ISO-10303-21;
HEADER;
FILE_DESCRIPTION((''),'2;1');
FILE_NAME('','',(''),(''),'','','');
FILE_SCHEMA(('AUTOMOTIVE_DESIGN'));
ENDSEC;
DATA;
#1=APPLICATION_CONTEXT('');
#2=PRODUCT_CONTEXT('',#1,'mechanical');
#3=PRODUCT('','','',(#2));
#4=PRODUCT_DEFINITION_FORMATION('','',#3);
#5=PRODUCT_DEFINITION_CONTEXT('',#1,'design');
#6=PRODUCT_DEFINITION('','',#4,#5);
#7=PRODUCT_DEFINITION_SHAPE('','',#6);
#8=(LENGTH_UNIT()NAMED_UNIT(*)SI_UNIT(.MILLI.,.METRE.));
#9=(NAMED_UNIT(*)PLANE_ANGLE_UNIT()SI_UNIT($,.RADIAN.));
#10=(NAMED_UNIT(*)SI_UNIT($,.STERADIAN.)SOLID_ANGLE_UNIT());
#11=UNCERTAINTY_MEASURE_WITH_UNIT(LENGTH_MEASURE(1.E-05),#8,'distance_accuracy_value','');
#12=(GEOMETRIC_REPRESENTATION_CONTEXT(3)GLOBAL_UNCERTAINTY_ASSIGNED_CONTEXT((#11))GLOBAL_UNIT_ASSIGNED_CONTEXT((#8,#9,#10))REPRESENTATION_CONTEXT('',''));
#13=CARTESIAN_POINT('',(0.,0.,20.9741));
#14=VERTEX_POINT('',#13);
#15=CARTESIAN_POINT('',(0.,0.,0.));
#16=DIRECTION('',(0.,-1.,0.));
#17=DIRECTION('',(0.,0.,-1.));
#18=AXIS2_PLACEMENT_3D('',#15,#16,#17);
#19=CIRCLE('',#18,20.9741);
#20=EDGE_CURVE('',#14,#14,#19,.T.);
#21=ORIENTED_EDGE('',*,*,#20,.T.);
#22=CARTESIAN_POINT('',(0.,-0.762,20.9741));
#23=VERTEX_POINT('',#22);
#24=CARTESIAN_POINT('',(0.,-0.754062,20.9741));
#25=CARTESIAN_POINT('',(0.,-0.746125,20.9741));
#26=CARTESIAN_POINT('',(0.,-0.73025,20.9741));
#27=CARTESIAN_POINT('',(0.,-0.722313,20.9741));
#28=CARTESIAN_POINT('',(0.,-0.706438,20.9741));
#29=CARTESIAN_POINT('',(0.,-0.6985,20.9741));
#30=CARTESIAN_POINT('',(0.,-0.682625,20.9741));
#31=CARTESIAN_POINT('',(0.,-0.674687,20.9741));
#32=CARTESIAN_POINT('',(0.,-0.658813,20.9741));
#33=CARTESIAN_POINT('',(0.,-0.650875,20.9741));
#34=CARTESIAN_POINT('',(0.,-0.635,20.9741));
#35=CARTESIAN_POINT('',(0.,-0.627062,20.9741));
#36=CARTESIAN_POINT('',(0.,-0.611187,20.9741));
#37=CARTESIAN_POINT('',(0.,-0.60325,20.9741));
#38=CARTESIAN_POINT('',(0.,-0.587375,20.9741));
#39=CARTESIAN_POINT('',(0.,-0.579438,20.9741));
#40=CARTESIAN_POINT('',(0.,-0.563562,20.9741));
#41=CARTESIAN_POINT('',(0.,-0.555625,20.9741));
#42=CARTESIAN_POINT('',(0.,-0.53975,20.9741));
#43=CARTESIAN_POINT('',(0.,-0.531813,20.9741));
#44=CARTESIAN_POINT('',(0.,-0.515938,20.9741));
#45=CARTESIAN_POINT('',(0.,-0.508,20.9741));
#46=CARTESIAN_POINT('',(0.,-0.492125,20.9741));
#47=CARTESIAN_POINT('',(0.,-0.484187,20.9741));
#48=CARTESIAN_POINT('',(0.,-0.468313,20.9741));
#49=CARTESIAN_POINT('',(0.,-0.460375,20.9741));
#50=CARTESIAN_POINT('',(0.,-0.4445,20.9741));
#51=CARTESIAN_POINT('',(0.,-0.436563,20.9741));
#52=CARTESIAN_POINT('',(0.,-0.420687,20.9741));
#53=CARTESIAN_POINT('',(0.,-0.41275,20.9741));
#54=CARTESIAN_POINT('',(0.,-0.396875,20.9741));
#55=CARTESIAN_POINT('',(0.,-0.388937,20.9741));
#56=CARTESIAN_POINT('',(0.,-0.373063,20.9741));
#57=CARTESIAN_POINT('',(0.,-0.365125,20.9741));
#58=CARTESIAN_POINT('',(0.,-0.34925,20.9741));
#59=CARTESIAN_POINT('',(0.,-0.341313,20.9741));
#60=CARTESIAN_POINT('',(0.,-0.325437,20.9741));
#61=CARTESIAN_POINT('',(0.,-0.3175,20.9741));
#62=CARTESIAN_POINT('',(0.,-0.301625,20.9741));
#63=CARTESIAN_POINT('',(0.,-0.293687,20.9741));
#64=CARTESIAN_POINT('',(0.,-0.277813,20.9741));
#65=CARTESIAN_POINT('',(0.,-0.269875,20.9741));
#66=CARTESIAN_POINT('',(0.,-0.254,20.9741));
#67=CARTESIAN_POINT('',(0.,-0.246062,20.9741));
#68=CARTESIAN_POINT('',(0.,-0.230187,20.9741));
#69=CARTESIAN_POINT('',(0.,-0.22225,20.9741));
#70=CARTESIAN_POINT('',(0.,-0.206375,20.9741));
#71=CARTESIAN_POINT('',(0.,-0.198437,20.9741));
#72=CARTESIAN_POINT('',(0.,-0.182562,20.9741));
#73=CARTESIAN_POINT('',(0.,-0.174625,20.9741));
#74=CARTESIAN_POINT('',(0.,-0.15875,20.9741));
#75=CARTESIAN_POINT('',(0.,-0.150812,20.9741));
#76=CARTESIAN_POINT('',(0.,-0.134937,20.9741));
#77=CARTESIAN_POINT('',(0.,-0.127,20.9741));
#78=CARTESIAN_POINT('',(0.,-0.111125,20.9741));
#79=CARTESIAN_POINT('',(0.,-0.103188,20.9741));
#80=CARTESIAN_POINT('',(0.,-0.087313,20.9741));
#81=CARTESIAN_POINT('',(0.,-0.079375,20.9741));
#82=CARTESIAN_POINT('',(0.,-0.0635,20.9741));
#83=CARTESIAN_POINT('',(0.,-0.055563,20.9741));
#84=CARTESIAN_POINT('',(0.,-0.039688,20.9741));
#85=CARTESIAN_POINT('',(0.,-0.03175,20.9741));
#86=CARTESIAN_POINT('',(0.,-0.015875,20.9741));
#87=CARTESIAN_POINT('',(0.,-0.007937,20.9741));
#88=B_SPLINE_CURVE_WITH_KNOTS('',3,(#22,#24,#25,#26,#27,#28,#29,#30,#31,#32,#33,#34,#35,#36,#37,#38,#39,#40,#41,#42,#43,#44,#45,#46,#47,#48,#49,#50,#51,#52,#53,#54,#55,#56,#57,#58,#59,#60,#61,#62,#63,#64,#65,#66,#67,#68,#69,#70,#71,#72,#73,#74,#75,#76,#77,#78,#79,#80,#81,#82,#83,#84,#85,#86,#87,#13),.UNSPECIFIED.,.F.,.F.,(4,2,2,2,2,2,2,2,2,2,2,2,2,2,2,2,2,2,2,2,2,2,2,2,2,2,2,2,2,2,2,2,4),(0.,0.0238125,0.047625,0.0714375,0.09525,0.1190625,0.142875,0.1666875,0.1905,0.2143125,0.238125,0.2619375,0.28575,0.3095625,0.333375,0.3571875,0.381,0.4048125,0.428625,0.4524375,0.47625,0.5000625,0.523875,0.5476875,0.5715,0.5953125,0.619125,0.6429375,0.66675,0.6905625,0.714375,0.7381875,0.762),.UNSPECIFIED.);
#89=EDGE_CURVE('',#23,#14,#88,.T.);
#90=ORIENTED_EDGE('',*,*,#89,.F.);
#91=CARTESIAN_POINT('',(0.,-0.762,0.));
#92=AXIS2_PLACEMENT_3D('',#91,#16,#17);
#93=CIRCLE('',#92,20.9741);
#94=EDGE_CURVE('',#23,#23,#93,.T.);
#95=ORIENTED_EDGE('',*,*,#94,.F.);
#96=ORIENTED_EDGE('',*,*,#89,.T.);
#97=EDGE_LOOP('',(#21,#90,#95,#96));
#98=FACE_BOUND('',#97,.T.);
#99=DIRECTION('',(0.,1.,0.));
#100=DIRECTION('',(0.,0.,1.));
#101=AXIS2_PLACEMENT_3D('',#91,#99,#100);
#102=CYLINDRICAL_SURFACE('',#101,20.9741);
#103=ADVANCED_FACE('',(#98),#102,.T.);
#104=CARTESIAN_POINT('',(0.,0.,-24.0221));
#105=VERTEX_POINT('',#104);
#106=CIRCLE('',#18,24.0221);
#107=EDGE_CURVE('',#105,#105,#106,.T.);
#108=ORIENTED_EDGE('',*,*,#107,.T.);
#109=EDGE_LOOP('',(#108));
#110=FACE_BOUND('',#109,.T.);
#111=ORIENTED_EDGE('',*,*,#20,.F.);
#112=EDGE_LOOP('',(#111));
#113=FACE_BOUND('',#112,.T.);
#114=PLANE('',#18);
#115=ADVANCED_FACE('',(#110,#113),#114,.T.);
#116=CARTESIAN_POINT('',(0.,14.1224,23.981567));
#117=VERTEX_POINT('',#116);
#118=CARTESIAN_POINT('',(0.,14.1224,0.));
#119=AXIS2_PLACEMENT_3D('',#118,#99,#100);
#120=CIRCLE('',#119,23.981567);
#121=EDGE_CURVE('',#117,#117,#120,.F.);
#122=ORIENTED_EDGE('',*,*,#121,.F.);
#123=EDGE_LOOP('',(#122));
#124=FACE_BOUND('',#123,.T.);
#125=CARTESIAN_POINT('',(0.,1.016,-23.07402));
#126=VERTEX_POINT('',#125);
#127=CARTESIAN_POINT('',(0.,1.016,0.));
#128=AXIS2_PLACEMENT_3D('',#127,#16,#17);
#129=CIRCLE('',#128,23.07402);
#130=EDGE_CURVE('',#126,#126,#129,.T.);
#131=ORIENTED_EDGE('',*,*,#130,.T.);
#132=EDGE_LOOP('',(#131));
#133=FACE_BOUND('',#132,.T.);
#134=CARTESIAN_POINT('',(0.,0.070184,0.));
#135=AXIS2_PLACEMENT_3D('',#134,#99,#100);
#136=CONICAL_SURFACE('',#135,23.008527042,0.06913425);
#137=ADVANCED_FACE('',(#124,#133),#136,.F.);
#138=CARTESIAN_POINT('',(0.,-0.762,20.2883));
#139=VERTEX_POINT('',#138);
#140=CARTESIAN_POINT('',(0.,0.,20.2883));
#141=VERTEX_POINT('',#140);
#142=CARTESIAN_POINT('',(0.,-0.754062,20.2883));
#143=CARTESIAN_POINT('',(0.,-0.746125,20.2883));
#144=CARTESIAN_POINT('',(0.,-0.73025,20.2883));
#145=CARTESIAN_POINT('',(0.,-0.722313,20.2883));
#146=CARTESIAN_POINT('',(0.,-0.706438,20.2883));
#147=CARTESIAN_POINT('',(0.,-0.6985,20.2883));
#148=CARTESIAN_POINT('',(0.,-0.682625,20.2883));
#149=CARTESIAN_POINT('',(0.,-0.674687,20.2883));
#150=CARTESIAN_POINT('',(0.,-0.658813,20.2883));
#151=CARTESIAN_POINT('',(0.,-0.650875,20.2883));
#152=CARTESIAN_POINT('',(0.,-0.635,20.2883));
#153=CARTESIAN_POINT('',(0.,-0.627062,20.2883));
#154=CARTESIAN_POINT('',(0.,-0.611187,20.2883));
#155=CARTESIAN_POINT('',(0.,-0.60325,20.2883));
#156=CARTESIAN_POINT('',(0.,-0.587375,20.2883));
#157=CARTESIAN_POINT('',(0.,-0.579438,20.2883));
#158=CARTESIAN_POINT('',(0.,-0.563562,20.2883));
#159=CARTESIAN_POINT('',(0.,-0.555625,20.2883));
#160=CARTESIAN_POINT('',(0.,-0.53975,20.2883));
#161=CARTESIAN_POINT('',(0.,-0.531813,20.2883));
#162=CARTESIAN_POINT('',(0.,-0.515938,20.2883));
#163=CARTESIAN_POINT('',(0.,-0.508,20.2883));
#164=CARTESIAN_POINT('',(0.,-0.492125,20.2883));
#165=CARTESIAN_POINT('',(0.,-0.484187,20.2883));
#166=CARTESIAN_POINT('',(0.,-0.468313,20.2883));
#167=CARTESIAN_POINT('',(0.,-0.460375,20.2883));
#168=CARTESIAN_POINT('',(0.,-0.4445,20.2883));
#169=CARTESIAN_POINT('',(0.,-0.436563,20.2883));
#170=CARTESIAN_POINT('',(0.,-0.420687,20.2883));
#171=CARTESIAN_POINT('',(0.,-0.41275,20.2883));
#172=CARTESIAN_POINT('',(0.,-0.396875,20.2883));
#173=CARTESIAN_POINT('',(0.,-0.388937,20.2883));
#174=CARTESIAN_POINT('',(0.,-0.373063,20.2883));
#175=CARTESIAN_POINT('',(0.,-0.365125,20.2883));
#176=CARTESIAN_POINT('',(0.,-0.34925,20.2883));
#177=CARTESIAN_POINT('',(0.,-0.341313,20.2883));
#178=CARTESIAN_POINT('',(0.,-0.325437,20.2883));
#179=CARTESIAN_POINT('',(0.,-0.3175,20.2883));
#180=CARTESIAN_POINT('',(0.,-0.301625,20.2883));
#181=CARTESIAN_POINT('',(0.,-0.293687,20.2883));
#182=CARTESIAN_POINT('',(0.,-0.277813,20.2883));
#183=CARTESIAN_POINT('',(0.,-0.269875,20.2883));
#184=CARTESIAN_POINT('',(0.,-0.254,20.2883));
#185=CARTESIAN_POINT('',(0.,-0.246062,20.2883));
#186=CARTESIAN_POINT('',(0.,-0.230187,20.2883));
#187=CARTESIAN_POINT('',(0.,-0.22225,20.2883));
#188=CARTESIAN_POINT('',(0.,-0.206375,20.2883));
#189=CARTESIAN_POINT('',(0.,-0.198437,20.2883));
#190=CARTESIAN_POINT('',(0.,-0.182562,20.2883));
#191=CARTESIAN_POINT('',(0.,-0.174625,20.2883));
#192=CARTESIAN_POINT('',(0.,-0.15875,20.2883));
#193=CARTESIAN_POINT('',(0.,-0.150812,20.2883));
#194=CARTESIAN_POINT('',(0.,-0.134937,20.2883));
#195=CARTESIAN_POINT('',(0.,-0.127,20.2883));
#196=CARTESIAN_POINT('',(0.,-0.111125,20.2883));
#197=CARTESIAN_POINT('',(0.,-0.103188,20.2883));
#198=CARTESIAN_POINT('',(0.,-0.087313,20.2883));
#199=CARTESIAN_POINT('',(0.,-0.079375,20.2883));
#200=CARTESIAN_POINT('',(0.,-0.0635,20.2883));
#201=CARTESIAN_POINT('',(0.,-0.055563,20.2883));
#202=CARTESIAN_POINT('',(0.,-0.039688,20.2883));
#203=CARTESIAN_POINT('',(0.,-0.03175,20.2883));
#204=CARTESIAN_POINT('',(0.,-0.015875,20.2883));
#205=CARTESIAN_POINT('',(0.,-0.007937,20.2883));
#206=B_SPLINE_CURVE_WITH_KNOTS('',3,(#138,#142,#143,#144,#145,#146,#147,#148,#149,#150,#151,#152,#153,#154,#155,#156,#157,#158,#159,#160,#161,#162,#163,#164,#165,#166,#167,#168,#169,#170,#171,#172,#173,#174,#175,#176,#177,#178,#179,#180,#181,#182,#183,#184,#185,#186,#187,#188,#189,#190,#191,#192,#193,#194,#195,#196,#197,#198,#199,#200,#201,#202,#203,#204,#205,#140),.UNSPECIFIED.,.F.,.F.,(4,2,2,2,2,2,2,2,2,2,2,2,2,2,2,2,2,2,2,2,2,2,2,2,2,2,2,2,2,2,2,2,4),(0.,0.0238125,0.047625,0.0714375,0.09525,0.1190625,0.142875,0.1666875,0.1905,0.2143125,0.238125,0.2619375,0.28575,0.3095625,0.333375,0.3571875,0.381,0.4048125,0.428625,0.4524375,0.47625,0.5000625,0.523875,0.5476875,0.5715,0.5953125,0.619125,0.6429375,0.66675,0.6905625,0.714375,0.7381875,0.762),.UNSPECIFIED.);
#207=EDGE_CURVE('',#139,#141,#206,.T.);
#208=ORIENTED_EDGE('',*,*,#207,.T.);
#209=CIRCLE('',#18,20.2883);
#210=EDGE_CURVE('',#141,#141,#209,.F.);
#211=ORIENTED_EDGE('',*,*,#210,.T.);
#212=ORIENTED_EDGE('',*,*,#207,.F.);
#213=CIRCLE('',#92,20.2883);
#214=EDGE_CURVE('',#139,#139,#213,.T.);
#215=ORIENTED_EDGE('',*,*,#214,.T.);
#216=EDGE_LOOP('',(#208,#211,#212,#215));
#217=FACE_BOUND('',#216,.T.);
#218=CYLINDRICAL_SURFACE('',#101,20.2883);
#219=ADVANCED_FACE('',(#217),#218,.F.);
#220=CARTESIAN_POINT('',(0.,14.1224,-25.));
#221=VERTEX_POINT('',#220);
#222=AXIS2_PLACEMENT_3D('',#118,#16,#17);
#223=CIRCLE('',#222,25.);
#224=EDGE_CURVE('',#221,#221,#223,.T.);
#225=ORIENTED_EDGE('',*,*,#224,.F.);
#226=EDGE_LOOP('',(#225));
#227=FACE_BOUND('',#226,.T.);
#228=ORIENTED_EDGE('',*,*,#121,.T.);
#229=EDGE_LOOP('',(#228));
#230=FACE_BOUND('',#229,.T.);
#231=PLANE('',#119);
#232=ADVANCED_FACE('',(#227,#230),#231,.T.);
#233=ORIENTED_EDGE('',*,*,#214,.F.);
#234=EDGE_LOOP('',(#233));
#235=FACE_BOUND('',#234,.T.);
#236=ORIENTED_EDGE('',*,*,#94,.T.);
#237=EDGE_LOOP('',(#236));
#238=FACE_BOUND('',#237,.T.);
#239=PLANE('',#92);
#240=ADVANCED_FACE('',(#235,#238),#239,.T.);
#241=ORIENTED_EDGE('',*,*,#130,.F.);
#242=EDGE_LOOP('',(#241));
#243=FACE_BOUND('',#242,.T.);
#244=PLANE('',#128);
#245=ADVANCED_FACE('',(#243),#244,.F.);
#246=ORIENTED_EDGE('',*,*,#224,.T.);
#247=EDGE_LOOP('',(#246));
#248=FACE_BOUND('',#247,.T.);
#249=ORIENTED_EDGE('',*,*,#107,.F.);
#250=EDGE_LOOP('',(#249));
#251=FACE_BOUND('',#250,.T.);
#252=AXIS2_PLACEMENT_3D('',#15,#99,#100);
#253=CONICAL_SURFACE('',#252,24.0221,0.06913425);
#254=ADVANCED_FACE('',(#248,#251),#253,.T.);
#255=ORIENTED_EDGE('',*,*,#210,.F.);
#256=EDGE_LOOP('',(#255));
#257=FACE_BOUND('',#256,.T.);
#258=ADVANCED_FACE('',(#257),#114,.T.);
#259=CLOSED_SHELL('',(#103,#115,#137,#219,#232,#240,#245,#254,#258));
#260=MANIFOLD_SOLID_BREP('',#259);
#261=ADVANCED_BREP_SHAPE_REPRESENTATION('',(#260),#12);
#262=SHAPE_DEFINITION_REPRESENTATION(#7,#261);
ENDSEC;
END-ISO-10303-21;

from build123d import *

# Parameters (mm, degrees)
SHELL1_T            = -1.016
SKETCH3_R           = 20.9741
SKETCH3_R_2         = 20.2883
BOSS_EXTRUDE1_DEPTH = 0.762


with BuildPart() as part:
    # Sketch2 → Revolve1 (revolve)
    with BuildSketch(Plane.XY, mode=Mode.PRIVATE) as revolve1_sk:
        Polygon((0, 0), (24.0221, 0), (25, 14.1224), (0, 14.1224), align=None)
    revolve(revolve1_sk.sketch.rotate(Axis((0, 0, 0), (0, 1, 0)), 90), axis=Axis((0, 0, 0), (0, 1, 0)))

    # Shell1
    shell1_openings = [part.faces().sort_by_distance(p)[0] for p in [
        (0, 14.1224, 0),
    ]]
    offset(amount=SHELL1_T, openings=shell1_openings, kind=Kind.INTERSECTION)

    # Sketch3 → Boss-Extrude1 (add)
    with BuildSketch(Plane.XZ):
        with Locations(Location((0, 0, 0), (0, 0, 90))):
            Circle(SKETCH3_R)
        with Locations(Location((0, 0, 0), (0, 0, 90))):
            Circle(SKETCH3_R_2, mode=Mode.SUBTRACT)
    extrude(amount=BOSS_EXTRUDE1_DEPTH)


solid = part.part
